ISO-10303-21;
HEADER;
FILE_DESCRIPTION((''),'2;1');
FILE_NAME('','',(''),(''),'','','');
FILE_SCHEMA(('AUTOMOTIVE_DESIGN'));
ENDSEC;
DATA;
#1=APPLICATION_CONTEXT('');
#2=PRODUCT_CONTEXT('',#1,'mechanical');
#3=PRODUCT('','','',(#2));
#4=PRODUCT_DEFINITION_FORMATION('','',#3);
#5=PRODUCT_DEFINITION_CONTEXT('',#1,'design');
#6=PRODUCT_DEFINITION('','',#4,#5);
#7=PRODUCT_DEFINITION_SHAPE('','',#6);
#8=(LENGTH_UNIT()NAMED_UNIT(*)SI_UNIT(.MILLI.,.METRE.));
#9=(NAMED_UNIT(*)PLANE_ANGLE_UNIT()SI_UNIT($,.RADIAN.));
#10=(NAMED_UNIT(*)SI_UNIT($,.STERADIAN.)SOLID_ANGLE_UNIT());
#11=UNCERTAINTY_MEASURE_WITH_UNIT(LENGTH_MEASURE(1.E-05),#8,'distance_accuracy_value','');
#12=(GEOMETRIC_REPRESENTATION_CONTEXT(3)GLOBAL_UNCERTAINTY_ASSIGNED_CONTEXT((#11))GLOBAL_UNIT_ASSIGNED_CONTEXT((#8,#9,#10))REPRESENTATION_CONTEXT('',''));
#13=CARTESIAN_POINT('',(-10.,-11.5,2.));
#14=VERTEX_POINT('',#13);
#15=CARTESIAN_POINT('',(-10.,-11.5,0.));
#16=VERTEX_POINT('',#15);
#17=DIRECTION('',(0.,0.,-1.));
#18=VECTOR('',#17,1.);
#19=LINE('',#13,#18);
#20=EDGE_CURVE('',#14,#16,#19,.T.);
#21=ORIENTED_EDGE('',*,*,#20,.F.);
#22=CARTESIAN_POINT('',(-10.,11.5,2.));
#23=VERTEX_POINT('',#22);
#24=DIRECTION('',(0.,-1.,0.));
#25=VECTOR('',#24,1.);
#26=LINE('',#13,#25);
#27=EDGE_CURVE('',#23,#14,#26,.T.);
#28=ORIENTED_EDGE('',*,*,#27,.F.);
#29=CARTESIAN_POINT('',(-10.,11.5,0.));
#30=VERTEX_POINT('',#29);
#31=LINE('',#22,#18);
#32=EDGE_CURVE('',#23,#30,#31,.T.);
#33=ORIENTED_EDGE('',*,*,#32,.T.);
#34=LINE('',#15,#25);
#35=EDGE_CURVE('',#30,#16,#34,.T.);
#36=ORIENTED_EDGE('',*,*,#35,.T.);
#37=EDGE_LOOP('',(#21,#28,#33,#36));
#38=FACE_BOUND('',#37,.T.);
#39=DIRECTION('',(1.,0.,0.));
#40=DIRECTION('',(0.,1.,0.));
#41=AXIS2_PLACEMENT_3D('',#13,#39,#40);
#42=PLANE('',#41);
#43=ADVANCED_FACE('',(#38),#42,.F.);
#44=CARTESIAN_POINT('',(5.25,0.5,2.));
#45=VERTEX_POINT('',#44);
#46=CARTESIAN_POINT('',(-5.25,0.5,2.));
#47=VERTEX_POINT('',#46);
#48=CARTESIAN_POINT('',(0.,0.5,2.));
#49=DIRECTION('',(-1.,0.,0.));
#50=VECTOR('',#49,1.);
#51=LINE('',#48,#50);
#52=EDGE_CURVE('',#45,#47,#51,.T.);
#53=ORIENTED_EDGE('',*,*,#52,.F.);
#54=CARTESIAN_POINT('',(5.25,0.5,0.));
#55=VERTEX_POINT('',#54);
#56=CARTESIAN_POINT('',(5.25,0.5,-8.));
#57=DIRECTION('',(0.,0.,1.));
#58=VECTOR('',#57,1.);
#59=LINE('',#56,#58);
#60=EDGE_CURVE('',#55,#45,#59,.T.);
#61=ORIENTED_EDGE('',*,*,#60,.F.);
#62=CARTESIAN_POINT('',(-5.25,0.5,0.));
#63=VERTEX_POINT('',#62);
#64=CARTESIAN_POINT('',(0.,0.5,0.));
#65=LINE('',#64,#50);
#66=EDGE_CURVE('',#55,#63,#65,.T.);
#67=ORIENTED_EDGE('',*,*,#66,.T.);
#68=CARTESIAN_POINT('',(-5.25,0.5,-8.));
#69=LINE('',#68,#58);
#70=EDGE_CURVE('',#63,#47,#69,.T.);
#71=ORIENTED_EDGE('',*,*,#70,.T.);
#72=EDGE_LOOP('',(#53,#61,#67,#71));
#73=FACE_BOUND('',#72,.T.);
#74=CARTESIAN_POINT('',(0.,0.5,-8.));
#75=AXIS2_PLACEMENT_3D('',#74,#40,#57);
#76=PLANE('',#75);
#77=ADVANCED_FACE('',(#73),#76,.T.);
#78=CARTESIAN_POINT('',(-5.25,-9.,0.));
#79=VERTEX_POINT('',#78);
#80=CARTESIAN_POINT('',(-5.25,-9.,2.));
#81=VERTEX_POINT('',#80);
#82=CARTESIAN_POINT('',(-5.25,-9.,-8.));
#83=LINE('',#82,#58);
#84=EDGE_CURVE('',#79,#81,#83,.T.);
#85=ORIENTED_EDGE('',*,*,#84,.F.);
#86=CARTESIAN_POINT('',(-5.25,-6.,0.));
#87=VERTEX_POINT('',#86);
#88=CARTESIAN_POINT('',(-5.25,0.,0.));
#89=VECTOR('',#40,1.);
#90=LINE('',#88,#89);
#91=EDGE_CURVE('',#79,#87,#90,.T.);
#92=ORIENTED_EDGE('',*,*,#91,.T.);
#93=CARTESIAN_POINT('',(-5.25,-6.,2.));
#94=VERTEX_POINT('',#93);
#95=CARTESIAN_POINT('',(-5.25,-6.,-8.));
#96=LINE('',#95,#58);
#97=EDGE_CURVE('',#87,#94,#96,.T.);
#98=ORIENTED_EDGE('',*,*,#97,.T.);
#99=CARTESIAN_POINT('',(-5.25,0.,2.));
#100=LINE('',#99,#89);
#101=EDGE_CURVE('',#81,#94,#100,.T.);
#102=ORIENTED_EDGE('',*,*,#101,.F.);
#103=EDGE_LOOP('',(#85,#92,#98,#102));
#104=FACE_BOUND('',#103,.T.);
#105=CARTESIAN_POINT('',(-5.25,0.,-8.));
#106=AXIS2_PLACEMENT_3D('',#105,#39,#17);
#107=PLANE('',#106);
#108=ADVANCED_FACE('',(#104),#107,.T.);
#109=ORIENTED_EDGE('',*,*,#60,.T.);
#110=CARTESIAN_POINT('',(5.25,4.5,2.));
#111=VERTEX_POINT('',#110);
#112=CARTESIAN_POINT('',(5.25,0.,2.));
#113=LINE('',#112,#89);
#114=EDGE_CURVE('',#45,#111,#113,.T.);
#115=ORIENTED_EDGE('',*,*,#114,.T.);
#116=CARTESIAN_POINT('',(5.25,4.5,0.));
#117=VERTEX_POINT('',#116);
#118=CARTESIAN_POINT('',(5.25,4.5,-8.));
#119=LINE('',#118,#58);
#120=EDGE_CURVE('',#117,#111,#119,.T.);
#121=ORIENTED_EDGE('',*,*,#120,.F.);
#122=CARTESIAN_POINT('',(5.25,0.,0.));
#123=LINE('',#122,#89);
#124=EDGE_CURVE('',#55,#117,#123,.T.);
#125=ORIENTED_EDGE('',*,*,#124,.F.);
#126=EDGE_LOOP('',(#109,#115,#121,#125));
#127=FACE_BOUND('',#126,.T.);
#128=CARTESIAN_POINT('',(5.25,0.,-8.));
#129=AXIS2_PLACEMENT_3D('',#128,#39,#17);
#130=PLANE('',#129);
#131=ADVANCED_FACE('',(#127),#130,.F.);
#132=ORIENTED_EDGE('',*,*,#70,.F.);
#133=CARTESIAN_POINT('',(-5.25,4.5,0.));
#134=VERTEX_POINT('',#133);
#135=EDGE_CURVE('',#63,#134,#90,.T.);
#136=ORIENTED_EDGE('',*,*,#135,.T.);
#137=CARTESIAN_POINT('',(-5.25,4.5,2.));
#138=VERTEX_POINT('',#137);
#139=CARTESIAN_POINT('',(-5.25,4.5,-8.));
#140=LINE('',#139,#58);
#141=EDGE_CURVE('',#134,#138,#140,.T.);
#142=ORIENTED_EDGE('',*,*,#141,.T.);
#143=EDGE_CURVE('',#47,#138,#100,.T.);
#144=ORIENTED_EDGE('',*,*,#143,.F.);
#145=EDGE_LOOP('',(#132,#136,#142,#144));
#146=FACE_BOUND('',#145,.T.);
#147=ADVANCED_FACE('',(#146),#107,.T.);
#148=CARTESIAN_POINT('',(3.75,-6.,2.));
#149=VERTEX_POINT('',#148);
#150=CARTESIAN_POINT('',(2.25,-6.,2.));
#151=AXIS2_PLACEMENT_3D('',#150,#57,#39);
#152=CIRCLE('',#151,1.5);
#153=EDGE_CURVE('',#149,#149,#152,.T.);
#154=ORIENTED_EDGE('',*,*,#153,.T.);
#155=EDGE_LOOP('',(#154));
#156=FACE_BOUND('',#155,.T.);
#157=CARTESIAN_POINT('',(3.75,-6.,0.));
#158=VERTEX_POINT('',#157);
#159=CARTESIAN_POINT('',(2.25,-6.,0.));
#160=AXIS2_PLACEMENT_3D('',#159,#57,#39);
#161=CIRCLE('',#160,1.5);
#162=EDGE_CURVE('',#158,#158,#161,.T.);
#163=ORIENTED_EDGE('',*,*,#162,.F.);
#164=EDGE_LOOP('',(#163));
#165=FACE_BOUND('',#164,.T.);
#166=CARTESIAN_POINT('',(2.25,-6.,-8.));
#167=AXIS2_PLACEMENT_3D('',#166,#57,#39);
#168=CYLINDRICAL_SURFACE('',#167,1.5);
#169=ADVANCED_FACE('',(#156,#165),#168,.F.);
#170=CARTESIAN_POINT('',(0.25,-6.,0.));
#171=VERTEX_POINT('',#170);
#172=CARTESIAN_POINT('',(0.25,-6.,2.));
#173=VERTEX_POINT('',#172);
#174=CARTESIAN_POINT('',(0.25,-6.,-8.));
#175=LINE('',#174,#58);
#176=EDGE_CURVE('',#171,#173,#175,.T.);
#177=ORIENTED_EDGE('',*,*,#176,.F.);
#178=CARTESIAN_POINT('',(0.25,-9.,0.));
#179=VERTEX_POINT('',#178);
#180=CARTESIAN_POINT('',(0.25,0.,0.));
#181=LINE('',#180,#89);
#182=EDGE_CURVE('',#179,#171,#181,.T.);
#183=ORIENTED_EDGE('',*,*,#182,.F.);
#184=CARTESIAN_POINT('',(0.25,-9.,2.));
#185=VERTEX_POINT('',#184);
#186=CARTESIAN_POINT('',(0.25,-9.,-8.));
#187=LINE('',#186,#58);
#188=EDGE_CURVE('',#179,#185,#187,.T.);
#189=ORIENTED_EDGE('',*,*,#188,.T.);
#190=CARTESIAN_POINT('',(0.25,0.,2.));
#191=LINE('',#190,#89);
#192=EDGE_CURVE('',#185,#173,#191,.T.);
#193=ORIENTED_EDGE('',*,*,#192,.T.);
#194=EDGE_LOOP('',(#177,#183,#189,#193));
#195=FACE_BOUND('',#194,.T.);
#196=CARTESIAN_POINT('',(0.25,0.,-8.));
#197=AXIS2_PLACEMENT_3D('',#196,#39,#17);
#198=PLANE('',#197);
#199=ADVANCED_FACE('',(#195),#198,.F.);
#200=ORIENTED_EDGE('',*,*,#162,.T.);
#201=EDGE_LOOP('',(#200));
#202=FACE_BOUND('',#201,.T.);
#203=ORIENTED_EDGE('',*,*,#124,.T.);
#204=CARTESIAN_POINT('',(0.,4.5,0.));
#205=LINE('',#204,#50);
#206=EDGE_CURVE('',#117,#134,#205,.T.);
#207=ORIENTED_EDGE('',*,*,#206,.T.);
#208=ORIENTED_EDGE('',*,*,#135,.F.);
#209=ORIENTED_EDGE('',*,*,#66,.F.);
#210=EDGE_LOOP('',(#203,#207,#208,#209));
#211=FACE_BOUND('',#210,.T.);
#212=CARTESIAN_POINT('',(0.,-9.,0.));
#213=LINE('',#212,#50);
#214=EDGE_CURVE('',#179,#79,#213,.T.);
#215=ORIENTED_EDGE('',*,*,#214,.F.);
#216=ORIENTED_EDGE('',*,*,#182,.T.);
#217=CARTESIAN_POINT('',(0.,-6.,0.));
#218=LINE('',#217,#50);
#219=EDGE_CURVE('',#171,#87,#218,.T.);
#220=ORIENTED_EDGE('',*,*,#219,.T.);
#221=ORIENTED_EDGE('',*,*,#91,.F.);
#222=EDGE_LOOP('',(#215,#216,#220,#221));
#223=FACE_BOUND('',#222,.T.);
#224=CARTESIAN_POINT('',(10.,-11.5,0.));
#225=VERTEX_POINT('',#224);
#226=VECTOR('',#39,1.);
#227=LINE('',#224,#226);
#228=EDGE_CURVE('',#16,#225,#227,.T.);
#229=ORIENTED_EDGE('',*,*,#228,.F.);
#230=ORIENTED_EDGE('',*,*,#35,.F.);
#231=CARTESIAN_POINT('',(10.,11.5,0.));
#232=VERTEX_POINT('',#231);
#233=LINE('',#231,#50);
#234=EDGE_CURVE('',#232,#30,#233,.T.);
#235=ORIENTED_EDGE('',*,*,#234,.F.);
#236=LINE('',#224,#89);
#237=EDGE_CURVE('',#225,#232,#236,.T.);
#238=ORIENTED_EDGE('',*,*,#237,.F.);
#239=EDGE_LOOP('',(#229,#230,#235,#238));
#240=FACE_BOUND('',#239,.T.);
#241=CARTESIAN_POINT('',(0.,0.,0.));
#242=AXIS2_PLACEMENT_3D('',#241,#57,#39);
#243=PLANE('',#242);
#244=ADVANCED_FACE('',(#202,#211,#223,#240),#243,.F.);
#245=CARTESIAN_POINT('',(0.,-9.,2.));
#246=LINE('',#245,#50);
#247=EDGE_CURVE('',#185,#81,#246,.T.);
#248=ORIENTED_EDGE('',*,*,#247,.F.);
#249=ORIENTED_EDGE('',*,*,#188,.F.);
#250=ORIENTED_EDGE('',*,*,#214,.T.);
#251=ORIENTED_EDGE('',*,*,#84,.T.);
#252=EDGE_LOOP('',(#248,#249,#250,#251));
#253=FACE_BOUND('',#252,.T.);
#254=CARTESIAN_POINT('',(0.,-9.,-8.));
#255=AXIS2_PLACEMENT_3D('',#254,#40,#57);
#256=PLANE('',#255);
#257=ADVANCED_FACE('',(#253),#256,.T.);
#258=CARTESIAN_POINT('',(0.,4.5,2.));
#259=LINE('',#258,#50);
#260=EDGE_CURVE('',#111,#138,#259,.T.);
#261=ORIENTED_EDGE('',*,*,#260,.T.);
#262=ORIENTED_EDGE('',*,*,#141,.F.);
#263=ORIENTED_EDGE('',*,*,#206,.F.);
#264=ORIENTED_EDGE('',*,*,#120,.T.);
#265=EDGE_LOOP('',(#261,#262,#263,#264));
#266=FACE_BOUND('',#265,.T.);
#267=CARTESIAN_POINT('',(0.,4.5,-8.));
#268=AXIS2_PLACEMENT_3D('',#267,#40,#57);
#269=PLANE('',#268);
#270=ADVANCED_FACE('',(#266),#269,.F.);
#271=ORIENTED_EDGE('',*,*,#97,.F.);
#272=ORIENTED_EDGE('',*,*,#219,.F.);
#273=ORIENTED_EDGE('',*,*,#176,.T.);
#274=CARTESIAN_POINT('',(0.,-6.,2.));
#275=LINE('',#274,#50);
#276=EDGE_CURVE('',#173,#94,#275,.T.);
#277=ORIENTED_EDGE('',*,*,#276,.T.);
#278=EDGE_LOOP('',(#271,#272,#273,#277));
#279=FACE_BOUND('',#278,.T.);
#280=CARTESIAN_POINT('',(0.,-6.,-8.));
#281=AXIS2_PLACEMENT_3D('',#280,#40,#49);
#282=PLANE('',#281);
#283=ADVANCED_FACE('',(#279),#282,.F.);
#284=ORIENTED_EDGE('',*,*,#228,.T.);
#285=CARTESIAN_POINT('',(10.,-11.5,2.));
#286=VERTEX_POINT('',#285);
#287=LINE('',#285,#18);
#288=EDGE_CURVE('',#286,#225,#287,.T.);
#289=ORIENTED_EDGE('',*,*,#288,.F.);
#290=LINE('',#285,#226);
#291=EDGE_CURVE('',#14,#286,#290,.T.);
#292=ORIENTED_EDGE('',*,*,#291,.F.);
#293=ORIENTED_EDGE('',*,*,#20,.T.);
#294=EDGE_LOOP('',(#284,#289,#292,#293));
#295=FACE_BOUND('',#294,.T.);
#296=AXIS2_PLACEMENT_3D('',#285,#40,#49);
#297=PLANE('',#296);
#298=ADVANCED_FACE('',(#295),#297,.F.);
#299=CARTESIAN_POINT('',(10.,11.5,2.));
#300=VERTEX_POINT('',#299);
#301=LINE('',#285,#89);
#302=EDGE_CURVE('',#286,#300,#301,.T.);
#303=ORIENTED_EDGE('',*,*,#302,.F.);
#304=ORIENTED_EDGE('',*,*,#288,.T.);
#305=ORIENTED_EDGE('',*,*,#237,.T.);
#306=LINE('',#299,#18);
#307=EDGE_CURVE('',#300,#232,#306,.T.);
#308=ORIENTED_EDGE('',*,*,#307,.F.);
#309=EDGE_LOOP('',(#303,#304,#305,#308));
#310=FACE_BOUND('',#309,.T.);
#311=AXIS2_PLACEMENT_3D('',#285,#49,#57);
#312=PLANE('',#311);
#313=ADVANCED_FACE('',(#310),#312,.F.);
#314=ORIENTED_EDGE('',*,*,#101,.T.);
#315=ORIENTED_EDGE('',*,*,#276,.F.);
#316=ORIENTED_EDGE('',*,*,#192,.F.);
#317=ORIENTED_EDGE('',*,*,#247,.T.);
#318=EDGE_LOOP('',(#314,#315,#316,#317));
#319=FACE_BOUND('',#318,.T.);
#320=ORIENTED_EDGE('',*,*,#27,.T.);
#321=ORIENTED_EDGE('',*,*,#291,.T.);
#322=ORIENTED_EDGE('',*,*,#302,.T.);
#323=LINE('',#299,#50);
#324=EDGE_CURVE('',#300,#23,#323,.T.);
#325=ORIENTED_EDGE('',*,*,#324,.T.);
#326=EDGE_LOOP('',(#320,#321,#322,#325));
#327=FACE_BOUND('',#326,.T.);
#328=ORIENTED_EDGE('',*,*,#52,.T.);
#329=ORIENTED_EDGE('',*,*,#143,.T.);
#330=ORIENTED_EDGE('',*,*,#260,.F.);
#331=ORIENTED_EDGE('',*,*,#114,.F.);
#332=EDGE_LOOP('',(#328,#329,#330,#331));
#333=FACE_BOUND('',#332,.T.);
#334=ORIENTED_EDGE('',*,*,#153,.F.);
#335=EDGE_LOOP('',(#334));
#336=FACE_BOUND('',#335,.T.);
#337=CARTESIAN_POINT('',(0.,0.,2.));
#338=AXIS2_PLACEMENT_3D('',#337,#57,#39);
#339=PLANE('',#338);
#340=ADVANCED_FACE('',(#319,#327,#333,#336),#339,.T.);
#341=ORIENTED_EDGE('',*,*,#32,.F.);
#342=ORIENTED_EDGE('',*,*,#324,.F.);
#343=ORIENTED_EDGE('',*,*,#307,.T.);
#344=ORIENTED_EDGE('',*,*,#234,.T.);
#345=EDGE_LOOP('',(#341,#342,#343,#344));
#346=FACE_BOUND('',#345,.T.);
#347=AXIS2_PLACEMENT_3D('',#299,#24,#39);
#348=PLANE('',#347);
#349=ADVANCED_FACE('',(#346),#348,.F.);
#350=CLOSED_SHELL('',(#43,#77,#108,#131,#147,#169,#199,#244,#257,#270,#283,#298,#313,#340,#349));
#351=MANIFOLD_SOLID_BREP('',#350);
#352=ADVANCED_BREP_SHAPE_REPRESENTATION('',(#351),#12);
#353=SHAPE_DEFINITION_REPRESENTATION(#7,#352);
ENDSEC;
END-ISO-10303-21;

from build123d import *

# Parameters (mm, degrees)
SKETCH1_W           = 20
SKETCH1_H           = 23
BOSS_EXTRUDE1_DEPTH = 2
SKETCH2_W           = 10.5
SKETCH2_H           = 4
SKETCH2_W_2         = 5.5
SKETCH2_H_2         = 3
SKETCH2_R           = 1.5
CUT_EXTRUDE1_DEPTH  = 10


with BuildPart() as part:
    # Sketch1 → Boss-Extrude1 (new body)
    with BuildSketch(Plane.XY):
        Rectangle(SKETCH1_W, SKETCH1_H)
    extrude(amount=BOSS_EXTRUDE1_DEPTH)

    # Sketch2 → Cut-Extrude1 (cut)
    with BuildSketch(Plane.XY.offset(2)):
        with Locations((0, 2.5)):
            Rectangle(SKETCH2_W, SKETCH2_H)
        with Locations((-2.5, -7.5)):
            Rectangle(SKETCH2_W_2, SKETCH2_H_2)
        with Locations((2.25, -6)):
            Circle(SKETCH2_R)
    extrude(amount=-CUT_EXTRUDE1_DEPTH, mode=Mode.SUBTRACT)


solid = part.part
